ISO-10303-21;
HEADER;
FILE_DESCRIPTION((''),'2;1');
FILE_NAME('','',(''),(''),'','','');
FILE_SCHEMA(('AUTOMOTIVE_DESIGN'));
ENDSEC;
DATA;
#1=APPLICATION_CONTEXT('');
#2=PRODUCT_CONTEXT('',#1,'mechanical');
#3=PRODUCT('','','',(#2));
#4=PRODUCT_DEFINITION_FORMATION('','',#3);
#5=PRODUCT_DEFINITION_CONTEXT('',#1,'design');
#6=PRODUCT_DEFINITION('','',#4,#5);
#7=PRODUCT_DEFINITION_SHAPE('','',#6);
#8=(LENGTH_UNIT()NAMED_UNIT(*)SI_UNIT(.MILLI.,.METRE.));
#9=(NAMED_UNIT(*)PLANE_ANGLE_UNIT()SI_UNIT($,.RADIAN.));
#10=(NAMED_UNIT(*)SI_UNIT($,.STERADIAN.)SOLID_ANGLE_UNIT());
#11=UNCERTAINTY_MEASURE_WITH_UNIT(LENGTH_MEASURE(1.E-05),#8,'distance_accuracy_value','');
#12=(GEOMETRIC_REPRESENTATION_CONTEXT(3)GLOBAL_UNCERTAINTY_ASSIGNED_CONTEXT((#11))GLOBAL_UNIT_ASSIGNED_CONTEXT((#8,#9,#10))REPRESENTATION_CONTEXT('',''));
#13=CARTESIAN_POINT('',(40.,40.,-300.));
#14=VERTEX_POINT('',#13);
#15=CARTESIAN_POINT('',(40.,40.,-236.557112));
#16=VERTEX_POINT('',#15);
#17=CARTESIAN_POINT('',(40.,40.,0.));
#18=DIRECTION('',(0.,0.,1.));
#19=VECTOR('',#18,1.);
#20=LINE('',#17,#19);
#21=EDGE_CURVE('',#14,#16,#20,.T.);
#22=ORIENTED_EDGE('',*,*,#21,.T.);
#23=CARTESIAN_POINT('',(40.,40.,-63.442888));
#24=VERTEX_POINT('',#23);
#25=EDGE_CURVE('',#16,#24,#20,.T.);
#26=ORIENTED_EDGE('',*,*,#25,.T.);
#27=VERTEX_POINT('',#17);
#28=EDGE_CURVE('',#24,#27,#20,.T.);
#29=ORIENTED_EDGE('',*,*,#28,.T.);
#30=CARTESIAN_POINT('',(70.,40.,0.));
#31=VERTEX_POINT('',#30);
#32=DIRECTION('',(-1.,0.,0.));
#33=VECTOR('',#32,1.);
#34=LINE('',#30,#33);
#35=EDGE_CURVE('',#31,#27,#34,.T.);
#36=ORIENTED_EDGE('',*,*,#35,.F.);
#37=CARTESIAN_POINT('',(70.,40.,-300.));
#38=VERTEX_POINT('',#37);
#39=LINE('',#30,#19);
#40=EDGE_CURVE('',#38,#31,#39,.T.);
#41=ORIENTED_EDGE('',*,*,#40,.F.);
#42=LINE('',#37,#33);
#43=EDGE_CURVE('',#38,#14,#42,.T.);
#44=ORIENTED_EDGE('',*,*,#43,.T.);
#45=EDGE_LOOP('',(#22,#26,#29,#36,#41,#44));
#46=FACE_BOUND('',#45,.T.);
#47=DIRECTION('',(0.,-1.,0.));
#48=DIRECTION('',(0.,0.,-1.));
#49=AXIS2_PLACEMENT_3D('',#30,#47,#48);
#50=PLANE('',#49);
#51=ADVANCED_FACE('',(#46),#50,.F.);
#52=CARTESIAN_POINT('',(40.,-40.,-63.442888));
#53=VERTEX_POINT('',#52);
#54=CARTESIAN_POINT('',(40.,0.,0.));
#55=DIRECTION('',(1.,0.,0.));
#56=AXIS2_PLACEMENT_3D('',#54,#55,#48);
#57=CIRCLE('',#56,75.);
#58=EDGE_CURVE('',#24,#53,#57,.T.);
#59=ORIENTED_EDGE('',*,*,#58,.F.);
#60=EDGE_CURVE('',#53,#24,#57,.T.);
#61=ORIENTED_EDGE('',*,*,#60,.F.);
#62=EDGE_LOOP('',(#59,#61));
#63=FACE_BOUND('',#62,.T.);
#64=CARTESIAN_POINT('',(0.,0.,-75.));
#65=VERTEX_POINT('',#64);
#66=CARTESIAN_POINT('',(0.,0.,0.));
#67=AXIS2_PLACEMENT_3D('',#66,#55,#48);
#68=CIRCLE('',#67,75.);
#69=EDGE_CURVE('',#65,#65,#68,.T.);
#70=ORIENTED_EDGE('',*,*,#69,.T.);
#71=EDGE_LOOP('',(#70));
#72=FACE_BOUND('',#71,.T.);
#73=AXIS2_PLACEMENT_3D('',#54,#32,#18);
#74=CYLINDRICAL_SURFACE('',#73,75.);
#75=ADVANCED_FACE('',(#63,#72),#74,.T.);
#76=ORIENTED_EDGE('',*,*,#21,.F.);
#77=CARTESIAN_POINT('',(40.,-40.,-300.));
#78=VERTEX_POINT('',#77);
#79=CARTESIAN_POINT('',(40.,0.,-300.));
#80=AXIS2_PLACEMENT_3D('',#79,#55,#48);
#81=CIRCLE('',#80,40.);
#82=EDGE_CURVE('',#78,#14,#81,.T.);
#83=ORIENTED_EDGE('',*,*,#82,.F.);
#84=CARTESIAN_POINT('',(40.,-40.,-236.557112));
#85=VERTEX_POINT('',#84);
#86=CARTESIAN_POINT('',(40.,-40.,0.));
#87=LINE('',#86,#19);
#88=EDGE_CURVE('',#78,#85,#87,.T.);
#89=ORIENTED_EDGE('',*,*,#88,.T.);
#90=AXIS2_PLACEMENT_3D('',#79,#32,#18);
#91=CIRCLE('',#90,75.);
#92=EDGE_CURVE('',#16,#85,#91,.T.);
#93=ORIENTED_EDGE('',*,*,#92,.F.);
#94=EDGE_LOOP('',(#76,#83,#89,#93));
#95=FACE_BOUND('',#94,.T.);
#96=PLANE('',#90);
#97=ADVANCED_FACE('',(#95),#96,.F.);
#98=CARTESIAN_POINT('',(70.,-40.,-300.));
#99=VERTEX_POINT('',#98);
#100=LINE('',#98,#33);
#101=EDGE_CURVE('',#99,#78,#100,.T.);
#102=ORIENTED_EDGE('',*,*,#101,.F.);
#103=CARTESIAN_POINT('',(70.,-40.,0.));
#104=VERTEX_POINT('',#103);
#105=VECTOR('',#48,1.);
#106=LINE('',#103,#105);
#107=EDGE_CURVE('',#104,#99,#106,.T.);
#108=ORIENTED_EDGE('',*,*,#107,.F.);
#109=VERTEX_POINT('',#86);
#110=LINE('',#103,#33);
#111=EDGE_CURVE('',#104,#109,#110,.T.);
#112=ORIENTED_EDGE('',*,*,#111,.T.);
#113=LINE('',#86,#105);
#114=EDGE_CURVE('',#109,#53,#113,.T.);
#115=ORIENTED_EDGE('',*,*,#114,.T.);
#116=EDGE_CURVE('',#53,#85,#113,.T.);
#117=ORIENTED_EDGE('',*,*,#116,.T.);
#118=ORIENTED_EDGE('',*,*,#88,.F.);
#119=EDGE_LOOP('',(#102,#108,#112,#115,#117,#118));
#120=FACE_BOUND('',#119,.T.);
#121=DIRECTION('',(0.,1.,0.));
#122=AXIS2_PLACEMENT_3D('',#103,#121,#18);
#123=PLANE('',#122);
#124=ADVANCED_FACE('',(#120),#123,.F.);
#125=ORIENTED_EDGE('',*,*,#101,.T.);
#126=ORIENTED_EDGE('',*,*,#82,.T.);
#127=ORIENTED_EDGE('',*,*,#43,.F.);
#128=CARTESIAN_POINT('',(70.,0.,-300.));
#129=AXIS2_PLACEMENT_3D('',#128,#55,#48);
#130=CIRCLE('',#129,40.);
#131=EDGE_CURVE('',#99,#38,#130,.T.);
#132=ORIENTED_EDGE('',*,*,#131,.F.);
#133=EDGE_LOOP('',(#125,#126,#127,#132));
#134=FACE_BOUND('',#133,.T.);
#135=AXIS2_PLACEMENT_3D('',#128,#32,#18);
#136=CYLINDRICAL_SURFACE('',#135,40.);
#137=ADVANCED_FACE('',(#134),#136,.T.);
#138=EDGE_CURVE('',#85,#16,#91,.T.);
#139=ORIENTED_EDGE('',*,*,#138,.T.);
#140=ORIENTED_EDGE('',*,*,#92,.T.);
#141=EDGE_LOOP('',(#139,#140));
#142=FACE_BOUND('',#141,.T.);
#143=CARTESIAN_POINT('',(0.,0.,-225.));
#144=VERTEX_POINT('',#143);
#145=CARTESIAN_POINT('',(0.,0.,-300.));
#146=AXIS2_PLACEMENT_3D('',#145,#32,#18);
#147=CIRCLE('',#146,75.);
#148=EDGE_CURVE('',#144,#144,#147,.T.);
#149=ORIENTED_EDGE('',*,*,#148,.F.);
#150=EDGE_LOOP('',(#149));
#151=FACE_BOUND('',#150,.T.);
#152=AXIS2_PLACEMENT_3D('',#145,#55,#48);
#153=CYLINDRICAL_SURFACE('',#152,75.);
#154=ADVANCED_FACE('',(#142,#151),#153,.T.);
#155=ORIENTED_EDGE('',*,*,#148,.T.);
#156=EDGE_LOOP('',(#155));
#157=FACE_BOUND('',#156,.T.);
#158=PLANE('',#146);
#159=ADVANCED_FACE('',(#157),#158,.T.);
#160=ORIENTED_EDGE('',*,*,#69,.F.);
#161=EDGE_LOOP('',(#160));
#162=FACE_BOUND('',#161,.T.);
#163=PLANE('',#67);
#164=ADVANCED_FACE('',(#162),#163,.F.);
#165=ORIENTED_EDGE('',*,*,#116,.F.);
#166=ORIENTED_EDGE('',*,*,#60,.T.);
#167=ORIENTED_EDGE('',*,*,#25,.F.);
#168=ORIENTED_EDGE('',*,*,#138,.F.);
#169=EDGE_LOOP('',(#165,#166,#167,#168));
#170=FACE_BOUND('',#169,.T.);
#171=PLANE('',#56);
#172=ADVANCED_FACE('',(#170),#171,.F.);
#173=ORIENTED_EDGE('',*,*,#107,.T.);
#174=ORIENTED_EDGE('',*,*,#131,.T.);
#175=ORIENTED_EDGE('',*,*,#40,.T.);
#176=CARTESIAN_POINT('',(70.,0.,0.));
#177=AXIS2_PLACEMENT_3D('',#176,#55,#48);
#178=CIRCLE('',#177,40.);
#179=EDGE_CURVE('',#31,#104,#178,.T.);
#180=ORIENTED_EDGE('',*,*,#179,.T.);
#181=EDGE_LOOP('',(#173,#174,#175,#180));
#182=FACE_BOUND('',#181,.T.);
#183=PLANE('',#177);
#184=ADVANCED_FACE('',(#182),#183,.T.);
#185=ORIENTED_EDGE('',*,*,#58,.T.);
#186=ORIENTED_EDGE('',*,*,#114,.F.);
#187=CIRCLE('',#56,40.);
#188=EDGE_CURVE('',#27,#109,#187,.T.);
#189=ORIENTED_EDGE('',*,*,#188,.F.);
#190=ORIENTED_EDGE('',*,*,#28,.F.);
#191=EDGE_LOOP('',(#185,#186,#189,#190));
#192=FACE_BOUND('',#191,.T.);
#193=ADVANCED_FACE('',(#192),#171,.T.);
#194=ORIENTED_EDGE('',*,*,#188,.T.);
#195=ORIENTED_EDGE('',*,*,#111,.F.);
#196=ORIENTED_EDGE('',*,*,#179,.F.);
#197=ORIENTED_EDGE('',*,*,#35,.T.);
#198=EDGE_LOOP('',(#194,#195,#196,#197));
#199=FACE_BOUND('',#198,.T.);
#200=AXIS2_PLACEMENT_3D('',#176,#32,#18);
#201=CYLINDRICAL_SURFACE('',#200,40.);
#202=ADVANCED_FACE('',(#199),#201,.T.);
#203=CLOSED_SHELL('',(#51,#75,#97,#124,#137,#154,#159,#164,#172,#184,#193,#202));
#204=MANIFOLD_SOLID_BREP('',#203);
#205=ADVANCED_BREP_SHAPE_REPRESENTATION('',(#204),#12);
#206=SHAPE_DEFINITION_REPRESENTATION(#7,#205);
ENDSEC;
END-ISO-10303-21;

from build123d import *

# Parameters (mm, degrees)
SKETCH1_R           = 75
BOSS_EXTRUDE1_DEPTH = 40
BOSS_EXTRUDE2_DEPTH = 30
SKETCH3_R           = 75
BOSS_EXTRUDE3_DEPTH = 40


with BuildPart() as part:
    # Sketch1 → Boss-Extrude1 (new body)
    with BuildSketch(Plane(origin=(0, 0, 0), x_dir=(0, 0, -1), z_dir=(1, 0, 0))):
        Circle(SKETCH1_R)
    extrude(amount=BOSS_EXTRUDE1_DEPTH)

    # Sketch2 → Boss-Extrude2 (add)
    with BuildSketch(Plane(origin=(40, 0, 0), x_dir=(0, 0, -1), z_dir=(1, 0, 0))):
        with BuildLine():
            Line((0, 40), (300, 40))
            ThreePointArc((300, 40), (340, 0), (300, -40))
            Line((300, -40), (0, -40))
            ThreePointArc((0, -40), (-40, 0), (0, 40))
        make_face()
    extrude(amount=BOSS_EXTRUDE2_DEPTH)

    # Sketch3 → Boss-Extrude3 (add)
    with BuildSketch(Plane.ZY.offset(-40)):
        with Locations((-300, 0)):
            Circle(SKETCH3_R)
    extrude(amount=BOSS_EXTRUDE3_DEPTH)


solid = part.part
